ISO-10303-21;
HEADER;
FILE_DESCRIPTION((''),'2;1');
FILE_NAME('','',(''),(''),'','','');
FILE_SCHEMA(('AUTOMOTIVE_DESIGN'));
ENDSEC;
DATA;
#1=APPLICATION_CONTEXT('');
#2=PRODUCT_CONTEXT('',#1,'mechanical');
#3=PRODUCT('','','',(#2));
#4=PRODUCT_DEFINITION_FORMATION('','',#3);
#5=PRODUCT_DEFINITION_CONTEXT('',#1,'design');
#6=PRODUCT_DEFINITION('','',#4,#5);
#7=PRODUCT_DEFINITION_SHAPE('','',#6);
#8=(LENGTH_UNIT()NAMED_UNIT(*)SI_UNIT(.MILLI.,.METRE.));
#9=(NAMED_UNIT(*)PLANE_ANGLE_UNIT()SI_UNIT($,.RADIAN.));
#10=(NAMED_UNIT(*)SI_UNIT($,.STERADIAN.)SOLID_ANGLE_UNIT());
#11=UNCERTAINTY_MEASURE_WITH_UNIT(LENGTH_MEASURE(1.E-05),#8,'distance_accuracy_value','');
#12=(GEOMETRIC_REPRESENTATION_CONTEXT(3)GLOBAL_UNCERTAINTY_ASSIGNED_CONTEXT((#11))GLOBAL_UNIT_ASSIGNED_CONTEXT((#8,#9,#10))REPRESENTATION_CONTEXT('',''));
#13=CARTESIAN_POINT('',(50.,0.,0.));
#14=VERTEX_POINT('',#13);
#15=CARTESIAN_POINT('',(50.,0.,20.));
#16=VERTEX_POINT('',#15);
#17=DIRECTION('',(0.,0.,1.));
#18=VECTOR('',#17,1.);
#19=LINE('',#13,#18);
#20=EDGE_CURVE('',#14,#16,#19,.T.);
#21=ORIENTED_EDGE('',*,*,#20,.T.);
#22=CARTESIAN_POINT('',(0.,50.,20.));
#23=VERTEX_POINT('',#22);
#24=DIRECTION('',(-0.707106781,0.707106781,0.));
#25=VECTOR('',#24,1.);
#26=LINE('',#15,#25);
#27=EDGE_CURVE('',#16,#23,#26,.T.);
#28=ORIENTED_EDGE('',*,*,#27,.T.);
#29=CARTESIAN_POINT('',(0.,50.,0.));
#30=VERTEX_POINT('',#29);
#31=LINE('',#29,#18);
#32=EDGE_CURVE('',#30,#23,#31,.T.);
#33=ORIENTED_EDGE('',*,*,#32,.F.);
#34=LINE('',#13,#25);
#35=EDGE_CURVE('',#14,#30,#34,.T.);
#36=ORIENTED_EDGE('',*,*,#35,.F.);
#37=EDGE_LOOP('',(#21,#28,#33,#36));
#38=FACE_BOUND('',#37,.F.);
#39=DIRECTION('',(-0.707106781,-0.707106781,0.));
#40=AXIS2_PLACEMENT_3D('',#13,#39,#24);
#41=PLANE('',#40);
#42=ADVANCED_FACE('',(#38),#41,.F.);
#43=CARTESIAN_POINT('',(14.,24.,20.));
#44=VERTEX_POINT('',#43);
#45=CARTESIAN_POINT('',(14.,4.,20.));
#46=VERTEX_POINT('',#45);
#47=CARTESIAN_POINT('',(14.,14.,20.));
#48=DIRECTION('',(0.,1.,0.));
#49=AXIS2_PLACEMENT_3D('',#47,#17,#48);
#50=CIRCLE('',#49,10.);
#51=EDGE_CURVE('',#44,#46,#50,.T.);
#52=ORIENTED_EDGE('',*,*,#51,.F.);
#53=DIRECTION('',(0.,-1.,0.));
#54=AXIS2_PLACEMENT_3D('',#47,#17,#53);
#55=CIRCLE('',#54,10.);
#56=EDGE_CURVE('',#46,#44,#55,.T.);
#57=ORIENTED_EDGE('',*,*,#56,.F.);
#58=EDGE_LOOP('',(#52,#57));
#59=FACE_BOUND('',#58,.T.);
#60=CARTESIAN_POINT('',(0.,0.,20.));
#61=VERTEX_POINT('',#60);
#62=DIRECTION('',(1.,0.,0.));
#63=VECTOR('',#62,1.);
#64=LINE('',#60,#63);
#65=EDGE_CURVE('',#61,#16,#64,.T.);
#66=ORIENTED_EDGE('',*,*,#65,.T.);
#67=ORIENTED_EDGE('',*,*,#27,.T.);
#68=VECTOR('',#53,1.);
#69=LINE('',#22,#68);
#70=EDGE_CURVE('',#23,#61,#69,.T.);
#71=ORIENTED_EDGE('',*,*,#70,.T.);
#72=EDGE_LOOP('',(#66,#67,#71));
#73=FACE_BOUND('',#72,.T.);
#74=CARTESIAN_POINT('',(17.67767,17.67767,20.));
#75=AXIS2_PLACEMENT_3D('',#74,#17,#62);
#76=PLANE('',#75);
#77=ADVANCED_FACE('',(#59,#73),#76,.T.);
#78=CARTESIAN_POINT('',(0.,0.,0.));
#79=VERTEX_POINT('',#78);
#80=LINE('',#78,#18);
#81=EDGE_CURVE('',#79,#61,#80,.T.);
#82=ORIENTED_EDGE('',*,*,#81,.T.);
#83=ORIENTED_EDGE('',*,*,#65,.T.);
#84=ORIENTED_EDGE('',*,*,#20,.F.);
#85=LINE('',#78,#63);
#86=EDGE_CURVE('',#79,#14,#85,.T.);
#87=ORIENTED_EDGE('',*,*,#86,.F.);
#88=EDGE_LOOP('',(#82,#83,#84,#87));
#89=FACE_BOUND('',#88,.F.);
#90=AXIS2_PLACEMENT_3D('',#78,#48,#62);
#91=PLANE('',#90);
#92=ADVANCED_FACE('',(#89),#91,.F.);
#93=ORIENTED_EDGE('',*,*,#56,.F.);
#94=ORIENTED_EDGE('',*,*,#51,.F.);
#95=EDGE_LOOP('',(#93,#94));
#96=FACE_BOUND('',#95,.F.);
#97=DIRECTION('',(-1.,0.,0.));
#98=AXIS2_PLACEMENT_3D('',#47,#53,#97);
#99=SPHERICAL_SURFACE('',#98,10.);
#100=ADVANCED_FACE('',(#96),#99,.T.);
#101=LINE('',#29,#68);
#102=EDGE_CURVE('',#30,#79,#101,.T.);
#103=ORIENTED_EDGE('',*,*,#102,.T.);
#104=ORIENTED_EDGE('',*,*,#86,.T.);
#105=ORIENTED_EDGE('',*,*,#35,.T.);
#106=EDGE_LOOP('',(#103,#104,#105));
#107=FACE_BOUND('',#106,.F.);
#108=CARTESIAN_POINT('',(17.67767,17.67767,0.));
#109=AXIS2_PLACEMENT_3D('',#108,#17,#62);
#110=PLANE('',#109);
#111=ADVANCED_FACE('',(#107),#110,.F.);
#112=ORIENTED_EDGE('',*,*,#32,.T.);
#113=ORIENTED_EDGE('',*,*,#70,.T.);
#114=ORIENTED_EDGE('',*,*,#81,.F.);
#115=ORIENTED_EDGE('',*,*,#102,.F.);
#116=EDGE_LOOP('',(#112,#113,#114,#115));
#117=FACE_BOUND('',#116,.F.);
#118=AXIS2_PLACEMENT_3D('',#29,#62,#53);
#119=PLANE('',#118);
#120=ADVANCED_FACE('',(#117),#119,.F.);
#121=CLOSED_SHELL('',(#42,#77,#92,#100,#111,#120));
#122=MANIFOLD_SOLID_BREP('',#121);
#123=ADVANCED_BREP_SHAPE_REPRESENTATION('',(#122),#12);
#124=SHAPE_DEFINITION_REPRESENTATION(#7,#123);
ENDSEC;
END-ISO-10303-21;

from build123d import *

# Parameters (mm, degrees)
F1_DEPTH = 20


with BuildPart() as f1:
    # F0 (on Top) → F1 (new body)
    with BuildSketch(Plane.XY):
        Polygon((0, 50), (0, 0), (50, 0), align=None)
    extrude(amount=F1_DEPTH)

    # F2 (on face) → F3 (revolve)
    with BuildSketch(Plane.XY.offset(20)):
        with BuildLine():
            Line((14, 4), (14, 24))
            ThreePointArc((14, 24), (4, 14), (14, 4))
        make_face()
    revolve(axis=Axis((14, 14, 20), (0, 1, 0)))


solid = f1.part
